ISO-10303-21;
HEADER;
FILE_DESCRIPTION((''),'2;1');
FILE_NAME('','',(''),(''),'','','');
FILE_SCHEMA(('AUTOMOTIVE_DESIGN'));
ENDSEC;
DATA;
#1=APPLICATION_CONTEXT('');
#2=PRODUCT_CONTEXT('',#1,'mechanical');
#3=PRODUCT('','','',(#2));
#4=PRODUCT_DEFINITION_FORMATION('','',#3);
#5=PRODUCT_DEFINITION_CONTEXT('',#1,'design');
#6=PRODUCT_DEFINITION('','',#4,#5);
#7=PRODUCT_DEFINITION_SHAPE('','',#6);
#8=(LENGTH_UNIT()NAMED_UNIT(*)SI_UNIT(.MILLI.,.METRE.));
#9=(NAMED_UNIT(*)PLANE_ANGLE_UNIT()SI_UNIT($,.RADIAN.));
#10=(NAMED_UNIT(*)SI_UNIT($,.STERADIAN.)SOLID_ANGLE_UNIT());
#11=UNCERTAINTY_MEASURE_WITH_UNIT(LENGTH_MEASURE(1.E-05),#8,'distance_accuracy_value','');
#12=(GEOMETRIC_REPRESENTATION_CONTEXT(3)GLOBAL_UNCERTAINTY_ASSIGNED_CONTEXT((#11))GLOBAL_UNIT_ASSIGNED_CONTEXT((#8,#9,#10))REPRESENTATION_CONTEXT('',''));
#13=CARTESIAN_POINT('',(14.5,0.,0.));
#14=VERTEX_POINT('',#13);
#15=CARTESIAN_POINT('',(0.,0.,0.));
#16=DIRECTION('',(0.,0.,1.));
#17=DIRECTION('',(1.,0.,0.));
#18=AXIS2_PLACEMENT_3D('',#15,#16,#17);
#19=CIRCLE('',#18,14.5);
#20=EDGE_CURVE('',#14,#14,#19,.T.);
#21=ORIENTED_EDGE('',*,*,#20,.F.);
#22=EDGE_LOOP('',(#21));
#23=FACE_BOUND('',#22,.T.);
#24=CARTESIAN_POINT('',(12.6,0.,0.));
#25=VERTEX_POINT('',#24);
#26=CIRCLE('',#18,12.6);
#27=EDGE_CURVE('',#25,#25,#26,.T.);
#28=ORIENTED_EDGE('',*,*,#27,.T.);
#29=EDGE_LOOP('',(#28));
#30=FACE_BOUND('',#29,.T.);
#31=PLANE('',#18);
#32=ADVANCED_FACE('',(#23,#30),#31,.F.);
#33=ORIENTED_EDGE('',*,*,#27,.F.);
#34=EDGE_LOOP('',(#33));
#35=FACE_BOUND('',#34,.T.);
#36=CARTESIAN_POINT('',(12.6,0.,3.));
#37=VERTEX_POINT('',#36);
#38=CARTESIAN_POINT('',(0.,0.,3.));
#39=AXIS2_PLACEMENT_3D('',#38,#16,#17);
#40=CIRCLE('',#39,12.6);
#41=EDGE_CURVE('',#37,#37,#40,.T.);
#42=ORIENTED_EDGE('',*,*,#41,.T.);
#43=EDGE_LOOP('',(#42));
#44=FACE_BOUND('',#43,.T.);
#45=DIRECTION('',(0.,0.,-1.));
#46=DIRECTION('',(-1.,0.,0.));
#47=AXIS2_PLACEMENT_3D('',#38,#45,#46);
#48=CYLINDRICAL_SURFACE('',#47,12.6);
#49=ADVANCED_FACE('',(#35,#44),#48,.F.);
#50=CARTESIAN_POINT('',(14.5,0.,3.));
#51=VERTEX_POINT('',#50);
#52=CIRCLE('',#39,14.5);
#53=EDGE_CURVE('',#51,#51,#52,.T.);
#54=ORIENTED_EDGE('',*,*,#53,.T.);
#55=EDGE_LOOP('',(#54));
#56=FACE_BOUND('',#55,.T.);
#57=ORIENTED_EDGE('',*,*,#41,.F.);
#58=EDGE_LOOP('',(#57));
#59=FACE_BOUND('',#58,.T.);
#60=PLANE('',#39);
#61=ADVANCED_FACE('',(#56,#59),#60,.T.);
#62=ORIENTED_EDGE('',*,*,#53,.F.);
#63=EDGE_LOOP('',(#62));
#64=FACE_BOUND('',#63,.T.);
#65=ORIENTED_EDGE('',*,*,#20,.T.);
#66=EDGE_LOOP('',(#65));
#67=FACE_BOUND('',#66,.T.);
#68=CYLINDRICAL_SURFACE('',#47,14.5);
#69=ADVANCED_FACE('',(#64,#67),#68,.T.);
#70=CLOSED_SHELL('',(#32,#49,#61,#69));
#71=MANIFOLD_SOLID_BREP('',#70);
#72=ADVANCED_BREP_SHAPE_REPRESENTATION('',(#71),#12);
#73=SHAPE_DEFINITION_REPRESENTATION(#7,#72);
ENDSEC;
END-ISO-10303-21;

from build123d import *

# Parameters (mm, degrees)
ESQUISSE1_R        = 14.5
ESQUISSE1_R_2      = 12.6
BOSS_EXTRU_1_DEPTH = 3


with BuildPart() as part:
    # Esquisse1 → Boss.-Extru.1 (new body)
    with BuildSketch(Plane.XY):
        Circle(ESQUISSE1_R)
        Circle(ESQUISSE1_R_2, mode=Mode.SUBTRACT)
    extrude(amount=BOSS_EXTRU_1_DEPTH)


solid = part.part
